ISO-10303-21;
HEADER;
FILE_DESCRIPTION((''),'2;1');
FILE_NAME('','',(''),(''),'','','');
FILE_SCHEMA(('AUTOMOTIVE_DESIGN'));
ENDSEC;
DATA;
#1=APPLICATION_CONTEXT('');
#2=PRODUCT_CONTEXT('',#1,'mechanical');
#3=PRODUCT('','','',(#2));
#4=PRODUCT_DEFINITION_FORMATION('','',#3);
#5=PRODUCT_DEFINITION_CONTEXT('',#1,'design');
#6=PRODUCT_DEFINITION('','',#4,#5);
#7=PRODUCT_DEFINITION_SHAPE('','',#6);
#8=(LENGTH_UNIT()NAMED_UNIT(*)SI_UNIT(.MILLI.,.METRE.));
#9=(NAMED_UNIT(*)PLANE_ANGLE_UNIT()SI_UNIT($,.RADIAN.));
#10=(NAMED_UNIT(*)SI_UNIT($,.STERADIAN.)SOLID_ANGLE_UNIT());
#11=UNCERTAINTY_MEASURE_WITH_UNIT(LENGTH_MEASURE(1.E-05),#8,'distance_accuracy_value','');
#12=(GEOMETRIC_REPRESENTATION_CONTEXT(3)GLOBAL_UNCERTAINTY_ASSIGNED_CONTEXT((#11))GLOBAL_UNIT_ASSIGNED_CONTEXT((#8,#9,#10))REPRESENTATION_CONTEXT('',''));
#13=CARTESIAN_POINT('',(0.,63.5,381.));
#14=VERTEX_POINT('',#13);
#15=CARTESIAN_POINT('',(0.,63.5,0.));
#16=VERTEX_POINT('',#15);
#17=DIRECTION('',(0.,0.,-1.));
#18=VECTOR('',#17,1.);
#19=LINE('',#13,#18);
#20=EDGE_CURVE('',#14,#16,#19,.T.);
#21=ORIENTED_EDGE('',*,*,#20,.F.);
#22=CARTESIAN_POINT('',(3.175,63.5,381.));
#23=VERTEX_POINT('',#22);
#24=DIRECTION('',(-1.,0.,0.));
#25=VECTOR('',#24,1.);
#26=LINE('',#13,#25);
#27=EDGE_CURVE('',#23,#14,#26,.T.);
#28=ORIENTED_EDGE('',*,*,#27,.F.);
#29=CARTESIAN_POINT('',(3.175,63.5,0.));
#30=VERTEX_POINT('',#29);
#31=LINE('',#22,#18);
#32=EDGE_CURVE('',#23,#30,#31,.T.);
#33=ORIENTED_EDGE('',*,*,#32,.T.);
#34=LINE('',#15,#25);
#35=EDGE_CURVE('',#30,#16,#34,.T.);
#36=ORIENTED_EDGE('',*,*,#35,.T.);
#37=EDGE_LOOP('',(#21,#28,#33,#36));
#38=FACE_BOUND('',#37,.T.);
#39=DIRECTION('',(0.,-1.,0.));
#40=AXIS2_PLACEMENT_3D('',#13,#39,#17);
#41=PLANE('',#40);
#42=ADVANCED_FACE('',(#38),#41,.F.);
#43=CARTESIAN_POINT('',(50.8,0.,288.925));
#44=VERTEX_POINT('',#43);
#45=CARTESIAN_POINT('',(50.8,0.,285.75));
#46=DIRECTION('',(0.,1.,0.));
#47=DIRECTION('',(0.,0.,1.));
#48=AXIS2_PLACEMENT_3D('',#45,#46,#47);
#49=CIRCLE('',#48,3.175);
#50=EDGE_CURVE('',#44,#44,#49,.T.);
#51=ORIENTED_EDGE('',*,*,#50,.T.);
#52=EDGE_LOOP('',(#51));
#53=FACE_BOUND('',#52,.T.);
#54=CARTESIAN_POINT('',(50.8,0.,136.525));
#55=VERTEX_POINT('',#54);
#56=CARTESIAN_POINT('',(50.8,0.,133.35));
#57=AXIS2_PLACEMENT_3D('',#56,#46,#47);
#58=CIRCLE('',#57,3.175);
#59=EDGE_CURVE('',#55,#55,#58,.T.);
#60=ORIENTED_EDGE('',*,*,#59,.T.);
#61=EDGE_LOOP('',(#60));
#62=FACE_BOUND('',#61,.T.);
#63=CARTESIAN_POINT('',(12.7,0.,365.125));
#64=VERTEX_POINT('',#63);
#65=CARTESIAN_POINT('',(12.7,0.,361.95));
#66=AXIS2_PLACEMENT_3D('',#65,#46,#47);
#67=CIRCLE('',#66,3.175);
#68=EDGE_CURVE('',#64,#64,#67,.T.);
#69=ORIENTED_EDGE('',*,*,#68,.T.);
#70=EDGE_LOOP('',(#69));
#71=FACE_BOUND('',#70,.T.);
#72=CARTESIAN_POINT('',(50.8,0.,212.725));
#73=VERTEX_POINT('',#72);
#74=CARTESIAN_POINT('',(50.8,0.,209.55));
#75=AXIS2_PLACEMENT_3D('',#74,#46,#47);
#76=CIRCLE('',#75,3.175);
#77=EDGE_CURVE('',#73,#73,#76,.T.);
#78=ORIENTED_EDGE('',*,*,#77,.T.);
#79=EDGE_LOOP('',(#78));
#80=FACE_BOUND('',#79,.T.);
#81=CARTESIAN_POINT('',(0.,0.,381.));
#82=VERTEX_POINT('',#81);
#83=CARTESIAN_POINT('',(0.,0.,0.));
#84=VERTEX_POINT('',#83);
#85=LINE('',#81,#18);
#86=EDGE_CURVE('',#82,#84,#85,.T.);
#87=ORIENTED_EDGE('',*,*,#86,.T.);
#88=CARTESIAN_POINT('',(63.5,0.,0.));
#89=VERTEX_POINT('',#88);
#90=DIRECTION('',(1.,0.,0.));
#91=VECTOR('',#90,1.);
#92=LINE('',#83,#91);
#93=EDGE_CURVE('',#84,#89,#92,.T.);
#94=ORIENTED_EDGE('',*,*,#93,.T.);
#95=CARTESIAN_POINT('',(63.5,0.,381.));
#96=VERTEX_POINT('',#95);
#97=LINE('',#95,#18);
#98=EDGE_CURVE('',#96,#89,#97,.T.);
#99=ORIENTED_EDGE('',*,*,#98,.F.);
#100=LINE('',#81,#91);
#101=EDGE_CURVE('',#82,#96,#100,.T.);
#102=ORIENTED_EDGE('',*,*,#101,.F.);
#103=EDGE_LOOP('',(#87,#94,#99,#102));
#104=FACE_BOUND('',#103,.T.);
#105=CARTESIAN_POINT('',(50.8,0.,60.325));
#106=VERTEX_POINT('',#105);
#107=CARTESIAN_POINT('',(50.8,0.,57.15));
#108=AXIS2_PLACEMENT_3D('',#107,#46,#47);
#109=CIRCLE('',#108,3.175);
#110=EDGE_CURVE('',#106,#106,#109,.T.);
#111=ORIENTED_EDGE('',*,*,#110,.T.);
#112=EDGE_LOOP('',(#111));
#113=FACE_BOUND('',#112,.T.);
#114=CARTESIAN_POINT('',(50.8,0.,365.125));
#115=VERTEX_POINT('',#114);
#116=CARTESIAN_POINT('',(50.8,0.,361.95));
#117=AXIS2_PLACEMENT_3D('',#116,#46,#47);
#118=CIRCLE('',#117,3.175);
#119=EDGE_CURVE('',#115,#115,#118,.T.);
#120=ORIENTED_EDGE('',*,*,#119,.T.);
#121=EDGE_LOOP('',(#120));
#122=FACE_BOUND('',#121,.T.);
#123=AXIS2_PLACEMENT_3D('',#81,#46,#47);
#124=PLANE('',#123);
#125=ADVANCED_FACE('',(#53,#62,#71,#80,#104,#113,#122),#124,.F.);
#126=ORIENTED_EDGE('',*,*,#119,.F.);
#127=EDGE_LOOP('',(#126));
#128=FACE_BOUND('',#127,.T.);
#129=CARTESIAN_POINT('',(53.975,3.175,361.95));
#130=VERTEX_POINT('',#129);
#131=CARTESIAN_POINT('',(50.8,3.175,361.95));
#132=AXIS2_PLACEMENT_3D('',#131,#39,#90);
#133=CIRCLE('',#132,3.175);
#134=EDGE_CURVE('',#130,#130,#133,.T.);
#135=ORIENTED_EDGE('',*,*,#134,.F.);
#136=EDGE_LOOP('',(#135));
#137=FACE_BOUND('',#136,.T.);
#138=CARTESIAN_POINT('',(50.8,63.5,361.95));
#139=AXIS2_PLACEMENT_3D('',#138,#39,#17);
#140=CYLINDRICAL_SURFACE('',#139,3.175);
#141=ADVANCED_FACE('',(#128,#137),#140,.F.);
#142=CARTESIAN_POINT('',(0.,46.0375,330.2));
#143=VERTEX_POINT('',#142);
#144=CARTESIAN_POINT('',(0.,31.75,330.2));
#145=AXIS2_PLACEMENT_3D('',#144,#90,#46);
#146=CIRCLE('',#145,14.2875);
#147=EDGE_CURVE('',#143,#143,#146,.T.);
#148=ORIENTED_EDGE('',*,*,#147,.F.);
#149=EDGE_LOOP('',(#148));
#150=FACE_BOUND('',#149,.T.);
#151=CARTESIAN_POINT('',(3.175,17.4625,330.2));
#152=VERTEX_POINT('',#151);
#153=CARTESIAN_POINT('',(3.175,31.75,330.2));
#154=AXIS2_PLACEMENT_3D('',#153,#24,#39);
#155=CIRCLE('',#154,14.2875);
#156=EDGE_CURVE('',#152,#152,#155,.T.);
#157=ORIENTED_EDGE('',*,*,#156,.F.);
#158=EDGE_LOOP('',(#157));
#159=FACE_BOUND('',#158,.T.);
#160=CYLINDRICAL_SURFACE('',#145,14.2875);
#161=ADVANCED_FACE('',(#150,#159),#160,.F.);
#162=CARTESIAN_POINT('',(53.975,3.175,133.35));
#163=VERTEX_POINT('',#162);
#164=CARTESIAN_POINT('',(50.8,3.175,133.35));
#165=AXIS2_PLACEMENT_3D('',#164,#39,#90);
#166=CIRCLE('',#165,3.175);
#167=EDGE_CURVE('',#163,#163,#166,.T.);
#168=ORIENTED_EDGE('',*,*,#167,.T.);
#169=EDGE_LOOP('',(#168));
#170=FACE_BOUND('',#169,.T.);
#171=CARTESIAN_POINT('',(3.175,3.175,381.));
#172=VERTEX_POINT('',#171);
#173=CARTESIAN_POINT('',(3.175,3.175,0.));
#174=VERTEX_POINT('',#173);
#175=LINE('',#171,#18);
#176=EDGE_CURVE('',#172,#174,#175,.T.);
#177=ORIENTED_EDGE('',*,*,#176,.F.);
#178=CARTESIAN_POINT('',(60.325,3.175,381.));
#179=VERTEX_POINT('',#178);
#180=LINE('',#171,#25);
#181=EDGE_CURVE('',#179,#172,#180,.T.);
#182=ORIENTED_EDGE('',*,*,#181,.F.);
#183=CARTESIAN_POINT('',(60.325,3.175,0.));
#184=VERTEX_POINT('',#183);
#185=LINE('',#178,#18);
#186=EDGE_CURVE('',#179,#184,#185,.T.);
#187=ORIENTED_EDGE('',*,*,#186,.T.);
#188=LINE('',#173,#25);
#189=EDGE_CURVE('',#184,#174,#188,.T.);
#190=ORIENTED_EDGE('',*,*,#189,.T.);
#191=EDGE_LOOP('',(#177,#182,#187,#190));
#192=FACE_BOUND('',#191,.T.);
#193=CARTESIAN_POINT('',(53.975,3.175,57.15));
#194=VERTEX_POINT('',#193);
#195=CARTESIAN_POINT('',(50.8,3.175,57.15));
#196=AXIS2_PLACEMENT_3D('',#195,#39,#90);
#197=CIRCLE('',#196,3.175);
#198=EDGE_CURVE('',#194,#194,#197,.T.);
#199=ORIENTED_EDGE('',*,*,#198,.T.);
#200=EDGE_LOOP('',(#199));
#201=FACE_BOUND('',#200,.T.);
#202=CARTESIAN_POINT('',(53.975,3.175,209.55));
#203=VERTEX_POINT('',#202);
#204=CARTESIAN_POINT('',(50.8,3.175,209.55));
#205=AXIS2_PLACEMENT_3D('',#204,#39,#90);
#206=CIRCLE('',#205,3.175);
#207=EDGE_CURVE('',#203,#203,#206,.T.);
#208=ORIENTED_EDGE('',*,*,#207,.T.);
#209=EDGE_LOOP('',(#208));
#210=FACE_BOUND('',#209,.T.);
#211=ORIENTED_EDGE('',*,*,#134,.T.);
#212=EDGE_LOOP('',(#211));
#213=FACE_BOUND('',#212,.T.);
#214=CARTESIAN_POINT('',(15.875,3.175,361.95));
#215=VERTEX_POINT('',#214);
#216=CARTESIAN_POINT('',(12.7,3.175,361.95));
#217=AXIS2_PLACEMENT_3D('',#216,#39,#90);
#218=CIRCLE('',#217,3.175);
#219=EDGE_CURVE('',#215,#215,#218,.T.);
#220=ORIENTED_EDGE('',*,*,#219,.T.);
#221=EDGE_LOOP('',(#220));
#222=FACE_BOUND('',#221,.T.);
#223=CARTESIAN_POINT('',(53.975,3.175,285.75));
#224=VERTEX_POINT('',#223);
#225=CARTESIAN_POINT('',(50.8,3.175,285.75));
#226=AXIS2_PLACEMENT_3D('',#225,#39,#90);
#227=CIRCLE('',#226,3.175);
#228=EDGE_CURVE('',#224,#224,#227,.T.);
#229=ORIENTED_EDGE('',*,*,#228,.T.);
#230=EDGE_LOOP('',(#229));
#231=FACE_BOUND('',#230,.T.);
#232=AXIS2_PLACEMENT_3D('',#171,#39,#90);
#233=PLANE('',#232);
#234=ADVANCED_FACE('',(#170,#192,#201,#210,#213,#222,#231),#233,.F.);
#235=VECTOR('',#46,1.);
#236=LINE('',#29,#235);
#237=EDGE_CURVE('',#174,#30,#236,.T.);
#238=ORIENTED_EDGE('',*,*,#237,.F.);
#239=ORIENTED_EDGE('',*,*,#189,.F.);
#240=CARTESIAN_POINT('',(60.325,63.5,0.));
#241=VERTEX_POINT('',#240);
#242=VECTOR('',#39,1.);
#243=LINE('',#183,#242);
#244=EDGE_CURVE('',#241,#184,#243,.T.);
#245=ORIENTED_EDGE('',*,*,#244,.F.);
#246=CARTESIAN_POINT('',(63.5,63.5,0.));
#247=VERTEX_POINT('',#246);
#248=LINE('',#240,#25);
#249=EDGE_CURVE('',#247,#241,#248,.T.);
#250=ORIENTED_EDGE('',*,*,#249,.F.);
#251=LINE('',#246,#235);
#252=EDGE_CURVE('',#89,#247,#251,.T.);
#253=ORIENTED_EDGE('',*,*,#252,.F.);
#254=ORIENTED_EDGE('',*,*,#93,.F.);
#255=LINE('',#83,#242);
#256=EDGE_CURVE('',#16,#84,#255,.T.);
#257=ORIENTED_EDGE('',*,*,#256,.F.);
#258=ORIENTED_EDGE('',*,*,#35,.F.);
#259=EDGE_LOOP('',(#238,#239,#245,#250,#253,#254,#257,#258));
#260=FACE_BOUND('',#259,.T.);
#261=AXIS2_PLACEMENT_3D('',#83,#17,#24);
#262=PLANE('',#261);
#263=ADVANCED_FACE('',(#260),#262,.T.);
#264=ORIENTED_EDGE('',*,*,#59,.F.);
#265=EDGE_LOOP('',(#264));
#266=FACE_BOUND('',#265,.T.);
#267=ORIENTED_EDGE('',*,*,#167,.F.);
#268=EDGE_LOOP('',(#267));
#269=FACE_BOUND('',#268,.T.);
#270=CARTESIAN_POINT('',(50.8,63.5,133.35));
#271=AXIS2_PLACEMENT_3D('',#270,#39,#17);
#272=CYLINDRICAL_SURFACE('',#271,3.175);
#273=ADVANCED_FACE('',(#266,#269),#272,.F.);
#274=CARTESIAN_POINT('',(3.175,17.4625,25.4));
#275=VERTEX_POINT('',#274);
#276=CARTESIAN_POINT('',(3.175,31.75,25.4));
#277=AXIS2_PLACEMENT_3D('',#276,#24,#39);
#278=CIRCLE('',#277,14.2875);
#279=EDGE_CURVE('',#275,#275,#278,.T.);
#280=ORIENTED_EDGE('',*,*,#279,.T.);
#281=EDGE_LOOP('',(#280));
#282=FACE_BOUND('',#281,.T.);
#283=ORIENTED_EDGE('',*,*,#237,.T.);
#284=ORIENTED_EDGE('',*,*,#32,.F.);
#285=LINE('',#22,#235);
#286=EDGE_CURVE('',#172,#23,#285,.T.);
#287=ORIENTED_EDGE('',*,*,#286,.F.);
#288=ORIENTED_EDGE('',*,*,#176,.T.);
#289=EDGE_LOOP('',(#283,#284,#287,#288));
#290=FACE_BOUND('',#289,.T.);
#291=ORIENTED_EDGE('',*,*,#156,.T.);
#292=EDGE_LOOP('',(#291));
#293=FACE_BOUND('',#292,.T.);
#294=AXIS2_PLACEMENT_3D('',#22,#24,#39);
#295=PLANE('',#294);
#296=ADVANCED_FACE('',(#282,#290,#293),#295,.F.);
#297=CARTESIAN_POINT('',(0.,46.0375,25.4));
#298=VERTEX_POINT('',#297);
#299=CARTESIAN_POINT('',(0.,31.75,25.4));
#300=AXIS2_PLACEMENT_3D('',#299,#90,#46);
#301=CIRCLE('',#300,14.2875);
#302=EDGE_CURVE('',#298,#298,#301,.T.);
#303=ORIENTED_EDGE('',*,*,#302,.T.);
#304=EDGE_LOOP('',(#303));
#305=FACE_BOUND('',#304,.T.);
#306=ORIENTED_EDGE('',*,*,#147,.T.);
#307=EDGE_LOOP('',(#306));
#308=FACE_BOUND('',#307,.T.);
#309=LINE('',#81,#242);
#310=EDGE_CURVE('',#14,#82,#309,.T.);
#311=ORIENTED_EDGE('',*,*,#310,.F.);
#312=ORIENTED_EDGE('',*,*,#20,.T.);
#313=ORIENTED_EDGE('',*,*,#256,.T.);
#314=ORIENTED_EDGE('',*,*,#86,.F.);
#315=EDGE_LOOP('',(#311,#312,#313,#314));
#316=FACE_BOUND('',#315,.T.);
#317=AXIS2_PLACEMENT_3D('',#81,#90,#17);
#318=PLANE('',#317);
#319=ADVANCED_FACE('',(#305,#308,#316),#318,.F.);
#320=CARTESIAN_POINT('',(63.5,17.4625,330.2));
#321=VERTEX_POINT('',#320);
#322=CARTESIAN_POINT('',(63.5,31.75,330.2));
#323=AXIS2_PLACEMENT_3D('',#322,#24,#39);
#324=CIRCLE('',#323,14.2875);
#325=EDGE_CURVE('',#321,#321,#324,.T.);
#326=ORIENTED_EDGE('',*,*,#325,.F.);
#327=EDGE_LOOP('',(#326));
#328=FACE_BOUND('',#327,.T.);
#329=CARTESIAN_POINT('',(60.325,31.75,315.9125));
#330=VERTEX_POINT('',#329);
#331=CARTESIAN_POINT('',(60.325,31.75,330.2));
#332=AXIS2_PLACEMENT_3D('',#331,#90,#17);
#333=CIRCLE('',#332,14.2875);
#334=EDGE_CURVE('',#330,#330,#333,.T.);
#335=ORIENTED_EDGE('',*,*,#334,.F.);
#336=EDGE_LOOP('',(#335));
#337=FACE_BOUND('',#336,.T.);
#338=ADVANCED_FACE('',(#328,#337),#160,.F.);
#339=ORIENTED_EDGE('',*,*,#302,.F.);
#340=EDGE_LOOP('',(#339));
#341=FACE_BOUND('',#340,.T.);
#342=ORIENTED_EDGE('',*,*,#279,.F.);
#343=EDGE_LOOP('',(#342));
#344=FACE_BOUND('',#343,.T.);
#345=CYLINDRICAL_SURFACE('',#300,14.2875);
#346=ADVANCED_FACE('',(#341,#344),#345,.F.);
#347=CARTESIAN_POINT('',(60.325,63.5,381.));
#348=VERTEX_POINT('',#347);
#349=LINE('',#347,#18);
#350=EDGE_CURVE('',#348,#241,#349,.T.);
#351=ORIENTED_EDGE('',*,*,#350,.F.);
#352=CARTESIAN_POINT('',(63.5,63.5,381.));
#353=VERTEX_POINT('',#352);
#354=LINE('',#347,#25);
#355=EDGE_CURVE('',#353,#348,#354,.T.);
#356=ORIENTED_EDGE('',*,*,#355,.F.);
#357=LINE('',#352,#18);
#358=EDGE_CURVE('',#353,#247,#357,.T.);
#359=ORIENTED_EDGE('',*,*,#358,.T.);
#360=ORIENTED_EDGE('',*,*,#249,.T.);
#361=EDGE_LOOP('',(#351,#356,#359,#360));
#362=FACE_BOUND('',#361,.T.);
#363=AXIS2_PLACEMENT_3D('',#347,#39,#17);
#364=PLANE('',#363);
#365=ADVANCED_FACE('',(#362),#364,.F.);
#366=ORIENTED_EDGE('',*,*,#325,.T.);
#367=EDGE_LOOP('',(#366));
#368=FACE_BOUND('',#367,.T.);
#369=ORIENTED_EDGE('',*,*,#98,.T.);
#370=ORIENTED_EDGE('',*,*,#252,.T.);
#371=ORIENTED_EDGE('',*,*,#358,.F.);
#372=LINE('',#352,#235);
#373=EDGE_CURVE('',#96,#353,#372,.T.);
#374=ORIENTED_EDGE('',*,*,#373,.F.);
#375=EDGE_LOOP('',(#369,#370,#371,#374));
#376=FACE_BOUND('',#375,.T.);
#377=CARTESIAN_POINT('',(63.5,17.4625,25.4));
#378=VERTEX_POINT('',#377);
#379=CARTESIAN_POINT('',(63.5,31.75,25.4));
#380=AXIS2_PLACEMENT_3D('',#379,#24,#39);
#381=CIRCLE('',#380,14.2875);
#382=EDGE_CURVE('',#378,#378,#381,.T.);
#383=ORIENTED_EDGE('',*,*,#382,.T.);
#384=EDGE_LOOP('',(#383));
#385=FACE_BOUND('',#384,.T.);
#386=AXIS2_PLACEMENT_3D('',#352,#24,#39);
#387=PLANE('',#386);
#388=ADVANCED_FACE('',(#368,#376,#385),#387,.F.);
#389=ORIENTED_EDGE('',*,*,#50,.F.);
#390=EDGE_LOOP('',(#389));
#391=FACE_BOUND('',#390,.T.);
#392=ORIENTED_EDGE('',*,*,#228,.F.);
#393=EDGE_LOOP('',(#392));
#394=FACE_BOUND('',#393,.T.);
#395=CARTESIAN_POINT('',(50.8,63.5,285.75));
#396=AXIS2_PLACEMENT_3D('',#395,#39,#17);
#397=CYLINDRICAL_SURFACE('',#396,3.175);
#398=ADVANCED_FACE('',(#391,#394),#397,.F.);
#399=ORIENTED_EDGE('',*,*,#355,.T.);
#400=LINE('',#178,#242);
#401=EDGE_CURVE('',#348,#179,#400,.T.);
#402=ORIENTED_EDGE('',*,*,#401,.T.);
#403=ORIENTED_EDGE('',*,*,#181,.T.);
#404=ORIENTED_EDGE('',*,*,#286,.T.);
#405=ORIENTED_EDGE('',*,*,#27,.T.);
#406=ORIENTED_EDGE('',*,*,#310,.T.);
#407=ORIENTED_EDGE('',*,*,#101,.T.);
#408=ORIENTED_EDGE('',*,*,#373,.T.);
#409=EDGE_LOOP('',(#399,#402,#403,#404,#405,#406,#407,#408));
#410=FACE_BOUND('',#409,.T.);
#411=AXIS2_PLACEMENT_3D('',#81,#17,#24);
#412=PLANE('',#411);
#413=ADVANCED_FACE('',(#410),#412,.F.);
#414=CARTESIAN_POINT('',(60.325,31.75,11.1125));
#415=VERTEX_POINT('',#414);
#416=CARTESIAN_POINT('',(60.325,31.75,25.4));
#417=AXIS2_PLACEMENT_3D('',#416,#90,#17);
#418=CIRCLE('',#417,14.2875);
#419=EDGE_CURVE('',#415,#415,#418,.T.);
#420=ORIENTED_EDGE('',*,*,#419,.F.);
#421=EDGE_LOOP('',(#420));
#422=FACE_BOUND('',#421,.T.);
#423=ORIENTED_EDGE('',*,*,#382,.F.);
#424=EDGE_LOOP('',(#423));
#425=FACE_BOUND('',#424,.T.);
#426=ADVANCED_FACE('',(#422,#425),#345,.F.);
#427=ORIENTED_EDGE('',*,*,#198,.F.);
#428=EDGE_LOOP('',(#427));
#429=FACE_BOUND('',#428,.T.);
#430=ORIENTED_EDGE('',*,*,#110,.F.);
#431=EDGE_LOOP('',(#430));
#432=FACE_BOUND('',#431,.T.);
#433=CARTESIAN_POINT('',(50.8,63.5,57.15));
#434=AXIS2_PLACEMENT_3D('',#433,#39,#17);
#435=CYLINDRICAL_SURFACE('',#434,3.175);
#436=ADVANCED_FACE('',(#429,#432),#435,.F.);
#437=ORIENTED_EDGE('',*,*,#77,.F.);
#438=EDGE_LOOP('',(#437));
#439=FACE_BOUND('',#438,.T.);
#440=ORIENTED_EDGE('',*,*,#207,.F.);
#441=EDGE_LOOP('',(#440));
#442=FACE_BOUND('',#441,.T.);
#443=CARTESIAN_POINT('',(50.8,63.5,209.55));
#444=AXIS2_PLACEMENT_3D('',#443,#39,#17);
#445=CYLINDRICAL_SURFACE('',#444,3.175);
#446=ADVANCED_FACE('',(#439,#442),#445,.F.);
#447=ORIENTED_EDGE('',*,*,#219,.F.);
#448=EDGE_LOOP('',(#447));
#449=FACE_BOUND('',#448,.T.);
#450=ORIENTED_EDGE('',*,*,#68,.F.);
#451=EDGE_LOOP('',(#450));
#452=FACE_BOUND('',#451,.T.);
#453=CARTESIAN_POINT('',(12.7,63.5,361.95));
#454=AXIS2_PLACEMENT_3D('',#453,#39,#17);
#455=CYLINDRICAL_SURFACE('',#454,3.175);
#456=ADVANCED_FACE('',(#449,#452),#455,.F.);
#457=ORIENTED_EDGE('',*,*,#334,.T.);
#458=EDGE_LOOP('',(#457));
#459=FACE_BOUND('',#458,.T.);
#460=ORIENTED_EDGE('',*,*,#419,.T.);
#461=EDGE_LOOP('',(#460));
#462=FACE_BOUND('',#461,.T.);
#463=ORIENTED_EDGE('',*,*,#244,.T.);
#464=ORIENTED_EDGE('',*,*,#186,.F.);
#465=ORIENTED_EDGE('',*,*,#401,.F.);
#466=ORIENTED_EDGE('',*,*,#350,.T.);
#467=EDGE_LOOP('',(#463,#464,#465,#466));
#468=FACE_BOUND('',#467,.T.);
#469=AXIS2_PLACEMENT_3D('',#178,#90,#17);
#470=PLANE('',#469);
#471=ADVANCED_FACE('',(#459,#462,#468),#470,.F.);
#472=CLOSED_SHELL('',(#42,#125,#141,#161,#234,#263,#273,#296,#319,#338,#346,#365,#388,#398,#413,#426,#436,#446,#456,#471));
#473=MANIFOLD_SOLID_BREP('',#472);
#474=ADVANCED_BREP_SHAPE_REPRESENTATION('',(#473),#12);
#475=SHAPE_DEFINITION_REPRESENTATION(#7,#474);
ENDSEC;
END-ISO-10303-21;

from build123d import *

# Parameters (mm, degrees)
BOSS_EXTRUDE1_DEPTH     = 381
SKETCH2_R               = 3.175
CUT_EXTRUDE1_DEPTH      = 1
CUT_EXTRUDE1_DEPTH_BACK = 64.5
SKETCH3_R               = 14.2875
CUT_EXTRUDE2_DEPTH      = 1
CUT_EXTRUDE2_DEPTH_BACK = 64.5


with BuildPart() as part:
    # Sketch1 → Boss-Extrude1 (new body)
    with BuildSketch(Plane.XY):
        Polygon((0, 0), (63.5, 0), (63.5, 63.5), (60.325, 63.5), (60.325, 3.175), (3.175, 3.175), (3.175, 63.5), (0, 63.5), align=None)
    extrude(amount=BOSS_EXTRUDE1_DEPTH)

    # Sketch2 → Cut-Extrude1 (cut, two sides)
    with BuildSketch(Plane.XZ) as cut_extrude1_sk:
        with Locations((12.7, 361.95)):
            Circle(SKETCH2_R)
        with Locations((50.8, 361.95)):
            Circle(SKETCH2_R)
        with Locations((50.8, 285.75)):
            Circle(SKETCH2_R)
        with Locations((50.8, 209.55)):
            Circle(SKETCH2_R)
        with Locations((50.8, 133.35)):
            Circle(SKETCH2_R)
        with Locations((50.8, 57.15)):
            Circle(SKETCH2_R)
    extrude(amount=CUT_EXTRUDE1_DEPTH, mode=Mode.SUBTRACT)
    extrude(cut_extrude1_sk.sketch, amount=-CUT_EXTRUDE1_DEPTH_BACK, mode=Mode.SUBTRACT)

    # Sketch3 → Cut-Extrude2 (cut, two sides)
    with BuildSketch(Plane(origin=(63.5, 0, 0), x_dir=(0, 0, -1), z_dir=(1, 0, 0))) as cut_extrude2_sk:
        with Locations((-25.4, 31.75)):
            Circle(SKETCH3_R)
        with Locations((-330.2, 31.75)):
            Circle(SKETCH3_R)
    extrude(amount=CUT_EXTRUDE2_DEPTH, mode=Mode.SUBTRACT)
    extrude(cut_extrude2_sk.sketch, amount=-CUT_EXTRUDE2_DEPTH_BACK, mode=Mode.SUBTRACT)


solid = part.part
